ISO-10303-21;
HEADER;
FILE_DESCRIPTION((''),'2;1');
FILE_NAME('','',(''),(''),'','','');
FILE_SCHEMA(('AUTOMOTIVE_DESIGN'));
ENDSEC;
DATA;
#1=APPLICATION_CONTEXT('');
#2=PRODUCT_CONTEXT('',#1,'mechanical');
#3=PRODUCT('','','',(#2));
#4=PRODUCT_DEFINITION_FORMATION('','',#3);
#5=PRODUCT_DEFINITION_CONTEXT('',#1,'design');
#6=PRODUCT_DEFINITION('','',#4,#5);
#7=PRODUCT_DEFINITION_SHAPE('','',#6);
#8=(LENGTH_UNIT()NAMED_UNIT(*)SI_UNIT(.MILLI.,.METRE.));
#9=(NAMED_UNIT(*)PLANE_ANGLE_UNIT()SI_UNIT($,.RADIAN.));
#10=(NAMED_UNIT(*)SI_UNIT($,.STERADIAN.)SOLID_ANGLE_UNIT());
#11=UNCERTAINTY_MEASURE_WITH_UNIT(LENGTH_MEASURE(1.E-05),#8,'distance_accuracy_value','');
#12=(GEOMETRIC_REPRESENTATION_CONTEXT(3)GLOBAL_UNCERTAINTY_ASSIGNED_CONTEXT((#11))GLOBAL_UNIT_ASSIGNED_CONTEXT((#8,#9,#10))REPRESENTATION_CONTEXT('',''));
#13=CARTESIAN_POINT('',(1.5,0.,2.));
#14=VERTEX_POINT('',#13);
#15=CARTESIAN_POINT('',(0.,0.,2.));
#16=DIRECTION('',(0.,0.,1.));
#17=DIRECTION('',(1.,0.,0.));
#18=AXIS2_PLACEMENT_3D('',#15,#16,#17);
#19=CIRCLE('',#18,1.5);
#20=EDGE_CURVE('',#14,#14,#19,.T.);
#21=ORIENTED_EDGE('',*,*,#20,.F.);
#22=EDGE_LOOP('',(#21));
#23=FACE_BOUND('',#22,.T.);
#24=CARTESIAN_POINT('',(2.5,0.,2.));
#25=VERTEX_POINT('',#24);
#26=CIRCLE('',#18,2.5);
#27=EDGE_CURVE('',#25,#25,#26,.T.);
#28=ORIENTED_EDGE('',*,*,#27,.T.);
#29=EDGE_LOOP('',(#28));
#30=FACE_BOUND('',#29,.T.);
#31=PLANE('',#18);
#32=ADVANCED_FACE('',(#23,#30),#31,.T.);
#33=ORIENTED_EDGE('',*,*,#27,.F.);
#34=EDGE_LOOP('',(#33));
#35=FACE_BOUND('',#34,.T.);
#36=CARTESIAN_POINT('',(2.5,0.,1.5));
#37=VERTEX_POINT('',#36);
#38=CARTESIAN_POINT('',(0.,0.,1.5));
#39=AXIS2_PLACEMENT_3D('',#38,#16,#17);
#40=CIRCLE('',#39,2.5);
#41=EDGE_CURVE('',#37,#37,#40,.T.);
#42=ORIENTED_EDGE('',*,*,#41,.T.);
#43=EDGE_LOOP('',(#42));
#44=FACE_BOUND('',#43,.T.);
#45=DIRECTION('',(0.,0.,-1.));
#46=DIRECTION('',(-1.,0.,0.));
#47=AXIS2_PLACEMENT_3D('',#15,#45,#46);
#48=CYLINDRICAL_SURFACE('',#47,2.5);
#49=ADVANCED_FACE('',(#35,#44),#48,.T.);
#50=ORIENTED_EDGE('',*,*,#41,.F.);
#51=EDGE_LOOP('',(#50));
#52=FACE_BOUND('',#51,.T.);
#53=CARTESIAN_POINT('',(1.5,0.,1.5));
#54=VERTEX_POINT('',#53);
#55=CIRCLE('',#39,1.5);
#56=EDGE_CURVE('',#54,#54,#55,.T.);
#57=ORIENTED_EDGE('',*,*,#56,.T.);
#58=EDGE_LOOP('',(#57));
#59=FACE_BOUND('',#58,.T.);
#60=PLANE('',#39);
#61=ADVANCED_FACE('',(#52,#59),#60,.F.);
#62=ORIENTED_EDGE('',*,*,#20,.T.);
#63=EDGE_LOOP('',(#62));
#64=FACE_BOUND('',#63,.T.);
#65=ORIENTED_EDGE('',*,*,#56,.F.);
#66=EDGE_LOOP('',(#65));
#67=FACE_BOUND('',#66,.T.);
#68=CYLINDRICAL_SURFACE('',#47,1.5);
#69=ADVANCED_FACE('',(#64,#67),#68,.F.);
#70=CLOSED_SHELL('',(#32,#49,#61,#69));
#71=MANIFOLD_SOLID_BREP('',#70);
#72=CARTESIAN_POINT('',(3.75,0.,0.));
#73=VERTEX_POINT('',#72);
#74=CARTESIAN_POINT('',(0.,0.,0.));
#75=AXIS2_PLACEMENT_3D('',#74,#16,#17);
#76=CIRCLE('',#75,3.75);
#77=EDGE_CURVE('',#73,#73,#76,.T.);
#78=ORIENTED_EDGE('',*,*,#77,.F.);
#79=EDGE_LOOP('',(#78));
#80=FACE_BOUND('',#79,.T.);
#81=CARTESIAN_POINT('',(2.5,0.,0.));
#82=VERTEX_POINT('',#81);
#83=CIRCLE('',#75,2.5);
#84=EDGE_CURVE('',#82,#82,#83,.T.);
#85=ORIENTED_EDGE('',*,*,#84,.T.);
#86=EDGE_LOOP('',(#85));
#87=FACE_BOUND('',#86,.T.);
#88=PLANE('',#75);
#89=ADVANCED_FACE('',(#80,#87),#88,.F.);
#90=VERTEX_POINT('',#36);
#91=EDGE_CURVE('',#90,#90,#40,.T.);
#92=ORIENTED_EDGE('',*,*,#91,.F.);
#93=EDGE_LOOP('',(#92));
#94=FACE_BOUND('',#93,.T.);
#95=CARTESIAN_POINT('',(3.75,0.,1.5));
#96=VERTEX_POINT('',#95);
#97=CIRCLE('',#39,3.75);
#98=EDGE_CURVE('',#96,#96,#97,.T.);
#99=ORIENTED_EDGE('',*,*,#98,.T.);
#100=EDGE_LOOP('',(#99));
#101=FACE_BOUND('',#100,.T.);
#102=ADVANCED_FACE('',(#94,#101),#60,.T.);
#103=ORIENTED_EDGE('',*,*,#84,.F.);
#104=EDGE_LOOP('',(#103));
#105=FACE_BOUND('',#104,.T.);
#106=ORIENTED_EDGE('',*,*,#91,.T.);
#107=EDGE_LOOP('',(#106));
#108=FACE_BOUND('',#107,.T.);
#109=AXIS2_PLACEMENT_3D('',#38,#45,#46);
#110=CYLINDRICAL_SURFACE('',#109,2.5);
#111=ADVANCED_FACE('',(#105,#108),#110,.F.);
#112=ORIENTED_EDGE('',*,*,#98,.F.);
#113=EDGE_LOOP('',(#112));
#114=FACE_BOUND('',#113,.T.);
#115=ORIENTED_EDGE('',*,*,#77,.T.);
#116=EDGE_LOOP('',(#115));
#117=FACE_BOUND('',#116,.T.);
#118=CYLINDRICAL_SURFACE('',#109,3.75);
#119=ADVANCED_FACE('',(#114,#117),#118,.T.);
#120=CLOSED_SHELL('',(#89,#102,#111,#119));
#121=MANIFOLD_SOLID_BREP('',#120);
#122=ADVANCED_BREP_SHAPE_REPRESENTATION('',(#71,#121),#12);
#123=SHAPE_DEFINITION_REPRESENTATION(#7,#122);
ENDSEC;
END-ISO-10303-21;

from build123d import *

# Parameters (mm, degrees)
SKETCH1_R           = 3.75
SKETCH1_R_2         = 2.5
BOSS_EXTRUDE1_DEPTH = 1.5
BOSS_EXTRUDE2_START = 1.5
SKETCH1_3_R         = 2.5
SKETCH1_3_R_2       = 1.5
BOSS_EXTRUDE2_DEPTH = 0.5


with BuildPart() as part:
    # Sketch1 → Boss-Extrude1 (new body)
    with BuildSketch(Plane.XY):
        Circle(SKETCH1_R)
        Circle(SKETCH1_R_2, mode=Mode.SUBTRACT)
    extrude(amount=BOSS_EXTRUDE1_DEPTH)


with BuildPart() as body_2:
    # Sketch1<3> → Boss-Extrude2 (new body)
    with BuildSketch(Plane.XY.offset(BOSS_EXTRUDE2_START)):
        Circle(SKETCH1_3_R)
        Circle(SKETCH1_3_R_2, mode=Mode.SUBTRACT)
    extrude(amount=BOSS_EXTRUDE2_DEPTH)


solid = Compound([part.part, body_2.part])
